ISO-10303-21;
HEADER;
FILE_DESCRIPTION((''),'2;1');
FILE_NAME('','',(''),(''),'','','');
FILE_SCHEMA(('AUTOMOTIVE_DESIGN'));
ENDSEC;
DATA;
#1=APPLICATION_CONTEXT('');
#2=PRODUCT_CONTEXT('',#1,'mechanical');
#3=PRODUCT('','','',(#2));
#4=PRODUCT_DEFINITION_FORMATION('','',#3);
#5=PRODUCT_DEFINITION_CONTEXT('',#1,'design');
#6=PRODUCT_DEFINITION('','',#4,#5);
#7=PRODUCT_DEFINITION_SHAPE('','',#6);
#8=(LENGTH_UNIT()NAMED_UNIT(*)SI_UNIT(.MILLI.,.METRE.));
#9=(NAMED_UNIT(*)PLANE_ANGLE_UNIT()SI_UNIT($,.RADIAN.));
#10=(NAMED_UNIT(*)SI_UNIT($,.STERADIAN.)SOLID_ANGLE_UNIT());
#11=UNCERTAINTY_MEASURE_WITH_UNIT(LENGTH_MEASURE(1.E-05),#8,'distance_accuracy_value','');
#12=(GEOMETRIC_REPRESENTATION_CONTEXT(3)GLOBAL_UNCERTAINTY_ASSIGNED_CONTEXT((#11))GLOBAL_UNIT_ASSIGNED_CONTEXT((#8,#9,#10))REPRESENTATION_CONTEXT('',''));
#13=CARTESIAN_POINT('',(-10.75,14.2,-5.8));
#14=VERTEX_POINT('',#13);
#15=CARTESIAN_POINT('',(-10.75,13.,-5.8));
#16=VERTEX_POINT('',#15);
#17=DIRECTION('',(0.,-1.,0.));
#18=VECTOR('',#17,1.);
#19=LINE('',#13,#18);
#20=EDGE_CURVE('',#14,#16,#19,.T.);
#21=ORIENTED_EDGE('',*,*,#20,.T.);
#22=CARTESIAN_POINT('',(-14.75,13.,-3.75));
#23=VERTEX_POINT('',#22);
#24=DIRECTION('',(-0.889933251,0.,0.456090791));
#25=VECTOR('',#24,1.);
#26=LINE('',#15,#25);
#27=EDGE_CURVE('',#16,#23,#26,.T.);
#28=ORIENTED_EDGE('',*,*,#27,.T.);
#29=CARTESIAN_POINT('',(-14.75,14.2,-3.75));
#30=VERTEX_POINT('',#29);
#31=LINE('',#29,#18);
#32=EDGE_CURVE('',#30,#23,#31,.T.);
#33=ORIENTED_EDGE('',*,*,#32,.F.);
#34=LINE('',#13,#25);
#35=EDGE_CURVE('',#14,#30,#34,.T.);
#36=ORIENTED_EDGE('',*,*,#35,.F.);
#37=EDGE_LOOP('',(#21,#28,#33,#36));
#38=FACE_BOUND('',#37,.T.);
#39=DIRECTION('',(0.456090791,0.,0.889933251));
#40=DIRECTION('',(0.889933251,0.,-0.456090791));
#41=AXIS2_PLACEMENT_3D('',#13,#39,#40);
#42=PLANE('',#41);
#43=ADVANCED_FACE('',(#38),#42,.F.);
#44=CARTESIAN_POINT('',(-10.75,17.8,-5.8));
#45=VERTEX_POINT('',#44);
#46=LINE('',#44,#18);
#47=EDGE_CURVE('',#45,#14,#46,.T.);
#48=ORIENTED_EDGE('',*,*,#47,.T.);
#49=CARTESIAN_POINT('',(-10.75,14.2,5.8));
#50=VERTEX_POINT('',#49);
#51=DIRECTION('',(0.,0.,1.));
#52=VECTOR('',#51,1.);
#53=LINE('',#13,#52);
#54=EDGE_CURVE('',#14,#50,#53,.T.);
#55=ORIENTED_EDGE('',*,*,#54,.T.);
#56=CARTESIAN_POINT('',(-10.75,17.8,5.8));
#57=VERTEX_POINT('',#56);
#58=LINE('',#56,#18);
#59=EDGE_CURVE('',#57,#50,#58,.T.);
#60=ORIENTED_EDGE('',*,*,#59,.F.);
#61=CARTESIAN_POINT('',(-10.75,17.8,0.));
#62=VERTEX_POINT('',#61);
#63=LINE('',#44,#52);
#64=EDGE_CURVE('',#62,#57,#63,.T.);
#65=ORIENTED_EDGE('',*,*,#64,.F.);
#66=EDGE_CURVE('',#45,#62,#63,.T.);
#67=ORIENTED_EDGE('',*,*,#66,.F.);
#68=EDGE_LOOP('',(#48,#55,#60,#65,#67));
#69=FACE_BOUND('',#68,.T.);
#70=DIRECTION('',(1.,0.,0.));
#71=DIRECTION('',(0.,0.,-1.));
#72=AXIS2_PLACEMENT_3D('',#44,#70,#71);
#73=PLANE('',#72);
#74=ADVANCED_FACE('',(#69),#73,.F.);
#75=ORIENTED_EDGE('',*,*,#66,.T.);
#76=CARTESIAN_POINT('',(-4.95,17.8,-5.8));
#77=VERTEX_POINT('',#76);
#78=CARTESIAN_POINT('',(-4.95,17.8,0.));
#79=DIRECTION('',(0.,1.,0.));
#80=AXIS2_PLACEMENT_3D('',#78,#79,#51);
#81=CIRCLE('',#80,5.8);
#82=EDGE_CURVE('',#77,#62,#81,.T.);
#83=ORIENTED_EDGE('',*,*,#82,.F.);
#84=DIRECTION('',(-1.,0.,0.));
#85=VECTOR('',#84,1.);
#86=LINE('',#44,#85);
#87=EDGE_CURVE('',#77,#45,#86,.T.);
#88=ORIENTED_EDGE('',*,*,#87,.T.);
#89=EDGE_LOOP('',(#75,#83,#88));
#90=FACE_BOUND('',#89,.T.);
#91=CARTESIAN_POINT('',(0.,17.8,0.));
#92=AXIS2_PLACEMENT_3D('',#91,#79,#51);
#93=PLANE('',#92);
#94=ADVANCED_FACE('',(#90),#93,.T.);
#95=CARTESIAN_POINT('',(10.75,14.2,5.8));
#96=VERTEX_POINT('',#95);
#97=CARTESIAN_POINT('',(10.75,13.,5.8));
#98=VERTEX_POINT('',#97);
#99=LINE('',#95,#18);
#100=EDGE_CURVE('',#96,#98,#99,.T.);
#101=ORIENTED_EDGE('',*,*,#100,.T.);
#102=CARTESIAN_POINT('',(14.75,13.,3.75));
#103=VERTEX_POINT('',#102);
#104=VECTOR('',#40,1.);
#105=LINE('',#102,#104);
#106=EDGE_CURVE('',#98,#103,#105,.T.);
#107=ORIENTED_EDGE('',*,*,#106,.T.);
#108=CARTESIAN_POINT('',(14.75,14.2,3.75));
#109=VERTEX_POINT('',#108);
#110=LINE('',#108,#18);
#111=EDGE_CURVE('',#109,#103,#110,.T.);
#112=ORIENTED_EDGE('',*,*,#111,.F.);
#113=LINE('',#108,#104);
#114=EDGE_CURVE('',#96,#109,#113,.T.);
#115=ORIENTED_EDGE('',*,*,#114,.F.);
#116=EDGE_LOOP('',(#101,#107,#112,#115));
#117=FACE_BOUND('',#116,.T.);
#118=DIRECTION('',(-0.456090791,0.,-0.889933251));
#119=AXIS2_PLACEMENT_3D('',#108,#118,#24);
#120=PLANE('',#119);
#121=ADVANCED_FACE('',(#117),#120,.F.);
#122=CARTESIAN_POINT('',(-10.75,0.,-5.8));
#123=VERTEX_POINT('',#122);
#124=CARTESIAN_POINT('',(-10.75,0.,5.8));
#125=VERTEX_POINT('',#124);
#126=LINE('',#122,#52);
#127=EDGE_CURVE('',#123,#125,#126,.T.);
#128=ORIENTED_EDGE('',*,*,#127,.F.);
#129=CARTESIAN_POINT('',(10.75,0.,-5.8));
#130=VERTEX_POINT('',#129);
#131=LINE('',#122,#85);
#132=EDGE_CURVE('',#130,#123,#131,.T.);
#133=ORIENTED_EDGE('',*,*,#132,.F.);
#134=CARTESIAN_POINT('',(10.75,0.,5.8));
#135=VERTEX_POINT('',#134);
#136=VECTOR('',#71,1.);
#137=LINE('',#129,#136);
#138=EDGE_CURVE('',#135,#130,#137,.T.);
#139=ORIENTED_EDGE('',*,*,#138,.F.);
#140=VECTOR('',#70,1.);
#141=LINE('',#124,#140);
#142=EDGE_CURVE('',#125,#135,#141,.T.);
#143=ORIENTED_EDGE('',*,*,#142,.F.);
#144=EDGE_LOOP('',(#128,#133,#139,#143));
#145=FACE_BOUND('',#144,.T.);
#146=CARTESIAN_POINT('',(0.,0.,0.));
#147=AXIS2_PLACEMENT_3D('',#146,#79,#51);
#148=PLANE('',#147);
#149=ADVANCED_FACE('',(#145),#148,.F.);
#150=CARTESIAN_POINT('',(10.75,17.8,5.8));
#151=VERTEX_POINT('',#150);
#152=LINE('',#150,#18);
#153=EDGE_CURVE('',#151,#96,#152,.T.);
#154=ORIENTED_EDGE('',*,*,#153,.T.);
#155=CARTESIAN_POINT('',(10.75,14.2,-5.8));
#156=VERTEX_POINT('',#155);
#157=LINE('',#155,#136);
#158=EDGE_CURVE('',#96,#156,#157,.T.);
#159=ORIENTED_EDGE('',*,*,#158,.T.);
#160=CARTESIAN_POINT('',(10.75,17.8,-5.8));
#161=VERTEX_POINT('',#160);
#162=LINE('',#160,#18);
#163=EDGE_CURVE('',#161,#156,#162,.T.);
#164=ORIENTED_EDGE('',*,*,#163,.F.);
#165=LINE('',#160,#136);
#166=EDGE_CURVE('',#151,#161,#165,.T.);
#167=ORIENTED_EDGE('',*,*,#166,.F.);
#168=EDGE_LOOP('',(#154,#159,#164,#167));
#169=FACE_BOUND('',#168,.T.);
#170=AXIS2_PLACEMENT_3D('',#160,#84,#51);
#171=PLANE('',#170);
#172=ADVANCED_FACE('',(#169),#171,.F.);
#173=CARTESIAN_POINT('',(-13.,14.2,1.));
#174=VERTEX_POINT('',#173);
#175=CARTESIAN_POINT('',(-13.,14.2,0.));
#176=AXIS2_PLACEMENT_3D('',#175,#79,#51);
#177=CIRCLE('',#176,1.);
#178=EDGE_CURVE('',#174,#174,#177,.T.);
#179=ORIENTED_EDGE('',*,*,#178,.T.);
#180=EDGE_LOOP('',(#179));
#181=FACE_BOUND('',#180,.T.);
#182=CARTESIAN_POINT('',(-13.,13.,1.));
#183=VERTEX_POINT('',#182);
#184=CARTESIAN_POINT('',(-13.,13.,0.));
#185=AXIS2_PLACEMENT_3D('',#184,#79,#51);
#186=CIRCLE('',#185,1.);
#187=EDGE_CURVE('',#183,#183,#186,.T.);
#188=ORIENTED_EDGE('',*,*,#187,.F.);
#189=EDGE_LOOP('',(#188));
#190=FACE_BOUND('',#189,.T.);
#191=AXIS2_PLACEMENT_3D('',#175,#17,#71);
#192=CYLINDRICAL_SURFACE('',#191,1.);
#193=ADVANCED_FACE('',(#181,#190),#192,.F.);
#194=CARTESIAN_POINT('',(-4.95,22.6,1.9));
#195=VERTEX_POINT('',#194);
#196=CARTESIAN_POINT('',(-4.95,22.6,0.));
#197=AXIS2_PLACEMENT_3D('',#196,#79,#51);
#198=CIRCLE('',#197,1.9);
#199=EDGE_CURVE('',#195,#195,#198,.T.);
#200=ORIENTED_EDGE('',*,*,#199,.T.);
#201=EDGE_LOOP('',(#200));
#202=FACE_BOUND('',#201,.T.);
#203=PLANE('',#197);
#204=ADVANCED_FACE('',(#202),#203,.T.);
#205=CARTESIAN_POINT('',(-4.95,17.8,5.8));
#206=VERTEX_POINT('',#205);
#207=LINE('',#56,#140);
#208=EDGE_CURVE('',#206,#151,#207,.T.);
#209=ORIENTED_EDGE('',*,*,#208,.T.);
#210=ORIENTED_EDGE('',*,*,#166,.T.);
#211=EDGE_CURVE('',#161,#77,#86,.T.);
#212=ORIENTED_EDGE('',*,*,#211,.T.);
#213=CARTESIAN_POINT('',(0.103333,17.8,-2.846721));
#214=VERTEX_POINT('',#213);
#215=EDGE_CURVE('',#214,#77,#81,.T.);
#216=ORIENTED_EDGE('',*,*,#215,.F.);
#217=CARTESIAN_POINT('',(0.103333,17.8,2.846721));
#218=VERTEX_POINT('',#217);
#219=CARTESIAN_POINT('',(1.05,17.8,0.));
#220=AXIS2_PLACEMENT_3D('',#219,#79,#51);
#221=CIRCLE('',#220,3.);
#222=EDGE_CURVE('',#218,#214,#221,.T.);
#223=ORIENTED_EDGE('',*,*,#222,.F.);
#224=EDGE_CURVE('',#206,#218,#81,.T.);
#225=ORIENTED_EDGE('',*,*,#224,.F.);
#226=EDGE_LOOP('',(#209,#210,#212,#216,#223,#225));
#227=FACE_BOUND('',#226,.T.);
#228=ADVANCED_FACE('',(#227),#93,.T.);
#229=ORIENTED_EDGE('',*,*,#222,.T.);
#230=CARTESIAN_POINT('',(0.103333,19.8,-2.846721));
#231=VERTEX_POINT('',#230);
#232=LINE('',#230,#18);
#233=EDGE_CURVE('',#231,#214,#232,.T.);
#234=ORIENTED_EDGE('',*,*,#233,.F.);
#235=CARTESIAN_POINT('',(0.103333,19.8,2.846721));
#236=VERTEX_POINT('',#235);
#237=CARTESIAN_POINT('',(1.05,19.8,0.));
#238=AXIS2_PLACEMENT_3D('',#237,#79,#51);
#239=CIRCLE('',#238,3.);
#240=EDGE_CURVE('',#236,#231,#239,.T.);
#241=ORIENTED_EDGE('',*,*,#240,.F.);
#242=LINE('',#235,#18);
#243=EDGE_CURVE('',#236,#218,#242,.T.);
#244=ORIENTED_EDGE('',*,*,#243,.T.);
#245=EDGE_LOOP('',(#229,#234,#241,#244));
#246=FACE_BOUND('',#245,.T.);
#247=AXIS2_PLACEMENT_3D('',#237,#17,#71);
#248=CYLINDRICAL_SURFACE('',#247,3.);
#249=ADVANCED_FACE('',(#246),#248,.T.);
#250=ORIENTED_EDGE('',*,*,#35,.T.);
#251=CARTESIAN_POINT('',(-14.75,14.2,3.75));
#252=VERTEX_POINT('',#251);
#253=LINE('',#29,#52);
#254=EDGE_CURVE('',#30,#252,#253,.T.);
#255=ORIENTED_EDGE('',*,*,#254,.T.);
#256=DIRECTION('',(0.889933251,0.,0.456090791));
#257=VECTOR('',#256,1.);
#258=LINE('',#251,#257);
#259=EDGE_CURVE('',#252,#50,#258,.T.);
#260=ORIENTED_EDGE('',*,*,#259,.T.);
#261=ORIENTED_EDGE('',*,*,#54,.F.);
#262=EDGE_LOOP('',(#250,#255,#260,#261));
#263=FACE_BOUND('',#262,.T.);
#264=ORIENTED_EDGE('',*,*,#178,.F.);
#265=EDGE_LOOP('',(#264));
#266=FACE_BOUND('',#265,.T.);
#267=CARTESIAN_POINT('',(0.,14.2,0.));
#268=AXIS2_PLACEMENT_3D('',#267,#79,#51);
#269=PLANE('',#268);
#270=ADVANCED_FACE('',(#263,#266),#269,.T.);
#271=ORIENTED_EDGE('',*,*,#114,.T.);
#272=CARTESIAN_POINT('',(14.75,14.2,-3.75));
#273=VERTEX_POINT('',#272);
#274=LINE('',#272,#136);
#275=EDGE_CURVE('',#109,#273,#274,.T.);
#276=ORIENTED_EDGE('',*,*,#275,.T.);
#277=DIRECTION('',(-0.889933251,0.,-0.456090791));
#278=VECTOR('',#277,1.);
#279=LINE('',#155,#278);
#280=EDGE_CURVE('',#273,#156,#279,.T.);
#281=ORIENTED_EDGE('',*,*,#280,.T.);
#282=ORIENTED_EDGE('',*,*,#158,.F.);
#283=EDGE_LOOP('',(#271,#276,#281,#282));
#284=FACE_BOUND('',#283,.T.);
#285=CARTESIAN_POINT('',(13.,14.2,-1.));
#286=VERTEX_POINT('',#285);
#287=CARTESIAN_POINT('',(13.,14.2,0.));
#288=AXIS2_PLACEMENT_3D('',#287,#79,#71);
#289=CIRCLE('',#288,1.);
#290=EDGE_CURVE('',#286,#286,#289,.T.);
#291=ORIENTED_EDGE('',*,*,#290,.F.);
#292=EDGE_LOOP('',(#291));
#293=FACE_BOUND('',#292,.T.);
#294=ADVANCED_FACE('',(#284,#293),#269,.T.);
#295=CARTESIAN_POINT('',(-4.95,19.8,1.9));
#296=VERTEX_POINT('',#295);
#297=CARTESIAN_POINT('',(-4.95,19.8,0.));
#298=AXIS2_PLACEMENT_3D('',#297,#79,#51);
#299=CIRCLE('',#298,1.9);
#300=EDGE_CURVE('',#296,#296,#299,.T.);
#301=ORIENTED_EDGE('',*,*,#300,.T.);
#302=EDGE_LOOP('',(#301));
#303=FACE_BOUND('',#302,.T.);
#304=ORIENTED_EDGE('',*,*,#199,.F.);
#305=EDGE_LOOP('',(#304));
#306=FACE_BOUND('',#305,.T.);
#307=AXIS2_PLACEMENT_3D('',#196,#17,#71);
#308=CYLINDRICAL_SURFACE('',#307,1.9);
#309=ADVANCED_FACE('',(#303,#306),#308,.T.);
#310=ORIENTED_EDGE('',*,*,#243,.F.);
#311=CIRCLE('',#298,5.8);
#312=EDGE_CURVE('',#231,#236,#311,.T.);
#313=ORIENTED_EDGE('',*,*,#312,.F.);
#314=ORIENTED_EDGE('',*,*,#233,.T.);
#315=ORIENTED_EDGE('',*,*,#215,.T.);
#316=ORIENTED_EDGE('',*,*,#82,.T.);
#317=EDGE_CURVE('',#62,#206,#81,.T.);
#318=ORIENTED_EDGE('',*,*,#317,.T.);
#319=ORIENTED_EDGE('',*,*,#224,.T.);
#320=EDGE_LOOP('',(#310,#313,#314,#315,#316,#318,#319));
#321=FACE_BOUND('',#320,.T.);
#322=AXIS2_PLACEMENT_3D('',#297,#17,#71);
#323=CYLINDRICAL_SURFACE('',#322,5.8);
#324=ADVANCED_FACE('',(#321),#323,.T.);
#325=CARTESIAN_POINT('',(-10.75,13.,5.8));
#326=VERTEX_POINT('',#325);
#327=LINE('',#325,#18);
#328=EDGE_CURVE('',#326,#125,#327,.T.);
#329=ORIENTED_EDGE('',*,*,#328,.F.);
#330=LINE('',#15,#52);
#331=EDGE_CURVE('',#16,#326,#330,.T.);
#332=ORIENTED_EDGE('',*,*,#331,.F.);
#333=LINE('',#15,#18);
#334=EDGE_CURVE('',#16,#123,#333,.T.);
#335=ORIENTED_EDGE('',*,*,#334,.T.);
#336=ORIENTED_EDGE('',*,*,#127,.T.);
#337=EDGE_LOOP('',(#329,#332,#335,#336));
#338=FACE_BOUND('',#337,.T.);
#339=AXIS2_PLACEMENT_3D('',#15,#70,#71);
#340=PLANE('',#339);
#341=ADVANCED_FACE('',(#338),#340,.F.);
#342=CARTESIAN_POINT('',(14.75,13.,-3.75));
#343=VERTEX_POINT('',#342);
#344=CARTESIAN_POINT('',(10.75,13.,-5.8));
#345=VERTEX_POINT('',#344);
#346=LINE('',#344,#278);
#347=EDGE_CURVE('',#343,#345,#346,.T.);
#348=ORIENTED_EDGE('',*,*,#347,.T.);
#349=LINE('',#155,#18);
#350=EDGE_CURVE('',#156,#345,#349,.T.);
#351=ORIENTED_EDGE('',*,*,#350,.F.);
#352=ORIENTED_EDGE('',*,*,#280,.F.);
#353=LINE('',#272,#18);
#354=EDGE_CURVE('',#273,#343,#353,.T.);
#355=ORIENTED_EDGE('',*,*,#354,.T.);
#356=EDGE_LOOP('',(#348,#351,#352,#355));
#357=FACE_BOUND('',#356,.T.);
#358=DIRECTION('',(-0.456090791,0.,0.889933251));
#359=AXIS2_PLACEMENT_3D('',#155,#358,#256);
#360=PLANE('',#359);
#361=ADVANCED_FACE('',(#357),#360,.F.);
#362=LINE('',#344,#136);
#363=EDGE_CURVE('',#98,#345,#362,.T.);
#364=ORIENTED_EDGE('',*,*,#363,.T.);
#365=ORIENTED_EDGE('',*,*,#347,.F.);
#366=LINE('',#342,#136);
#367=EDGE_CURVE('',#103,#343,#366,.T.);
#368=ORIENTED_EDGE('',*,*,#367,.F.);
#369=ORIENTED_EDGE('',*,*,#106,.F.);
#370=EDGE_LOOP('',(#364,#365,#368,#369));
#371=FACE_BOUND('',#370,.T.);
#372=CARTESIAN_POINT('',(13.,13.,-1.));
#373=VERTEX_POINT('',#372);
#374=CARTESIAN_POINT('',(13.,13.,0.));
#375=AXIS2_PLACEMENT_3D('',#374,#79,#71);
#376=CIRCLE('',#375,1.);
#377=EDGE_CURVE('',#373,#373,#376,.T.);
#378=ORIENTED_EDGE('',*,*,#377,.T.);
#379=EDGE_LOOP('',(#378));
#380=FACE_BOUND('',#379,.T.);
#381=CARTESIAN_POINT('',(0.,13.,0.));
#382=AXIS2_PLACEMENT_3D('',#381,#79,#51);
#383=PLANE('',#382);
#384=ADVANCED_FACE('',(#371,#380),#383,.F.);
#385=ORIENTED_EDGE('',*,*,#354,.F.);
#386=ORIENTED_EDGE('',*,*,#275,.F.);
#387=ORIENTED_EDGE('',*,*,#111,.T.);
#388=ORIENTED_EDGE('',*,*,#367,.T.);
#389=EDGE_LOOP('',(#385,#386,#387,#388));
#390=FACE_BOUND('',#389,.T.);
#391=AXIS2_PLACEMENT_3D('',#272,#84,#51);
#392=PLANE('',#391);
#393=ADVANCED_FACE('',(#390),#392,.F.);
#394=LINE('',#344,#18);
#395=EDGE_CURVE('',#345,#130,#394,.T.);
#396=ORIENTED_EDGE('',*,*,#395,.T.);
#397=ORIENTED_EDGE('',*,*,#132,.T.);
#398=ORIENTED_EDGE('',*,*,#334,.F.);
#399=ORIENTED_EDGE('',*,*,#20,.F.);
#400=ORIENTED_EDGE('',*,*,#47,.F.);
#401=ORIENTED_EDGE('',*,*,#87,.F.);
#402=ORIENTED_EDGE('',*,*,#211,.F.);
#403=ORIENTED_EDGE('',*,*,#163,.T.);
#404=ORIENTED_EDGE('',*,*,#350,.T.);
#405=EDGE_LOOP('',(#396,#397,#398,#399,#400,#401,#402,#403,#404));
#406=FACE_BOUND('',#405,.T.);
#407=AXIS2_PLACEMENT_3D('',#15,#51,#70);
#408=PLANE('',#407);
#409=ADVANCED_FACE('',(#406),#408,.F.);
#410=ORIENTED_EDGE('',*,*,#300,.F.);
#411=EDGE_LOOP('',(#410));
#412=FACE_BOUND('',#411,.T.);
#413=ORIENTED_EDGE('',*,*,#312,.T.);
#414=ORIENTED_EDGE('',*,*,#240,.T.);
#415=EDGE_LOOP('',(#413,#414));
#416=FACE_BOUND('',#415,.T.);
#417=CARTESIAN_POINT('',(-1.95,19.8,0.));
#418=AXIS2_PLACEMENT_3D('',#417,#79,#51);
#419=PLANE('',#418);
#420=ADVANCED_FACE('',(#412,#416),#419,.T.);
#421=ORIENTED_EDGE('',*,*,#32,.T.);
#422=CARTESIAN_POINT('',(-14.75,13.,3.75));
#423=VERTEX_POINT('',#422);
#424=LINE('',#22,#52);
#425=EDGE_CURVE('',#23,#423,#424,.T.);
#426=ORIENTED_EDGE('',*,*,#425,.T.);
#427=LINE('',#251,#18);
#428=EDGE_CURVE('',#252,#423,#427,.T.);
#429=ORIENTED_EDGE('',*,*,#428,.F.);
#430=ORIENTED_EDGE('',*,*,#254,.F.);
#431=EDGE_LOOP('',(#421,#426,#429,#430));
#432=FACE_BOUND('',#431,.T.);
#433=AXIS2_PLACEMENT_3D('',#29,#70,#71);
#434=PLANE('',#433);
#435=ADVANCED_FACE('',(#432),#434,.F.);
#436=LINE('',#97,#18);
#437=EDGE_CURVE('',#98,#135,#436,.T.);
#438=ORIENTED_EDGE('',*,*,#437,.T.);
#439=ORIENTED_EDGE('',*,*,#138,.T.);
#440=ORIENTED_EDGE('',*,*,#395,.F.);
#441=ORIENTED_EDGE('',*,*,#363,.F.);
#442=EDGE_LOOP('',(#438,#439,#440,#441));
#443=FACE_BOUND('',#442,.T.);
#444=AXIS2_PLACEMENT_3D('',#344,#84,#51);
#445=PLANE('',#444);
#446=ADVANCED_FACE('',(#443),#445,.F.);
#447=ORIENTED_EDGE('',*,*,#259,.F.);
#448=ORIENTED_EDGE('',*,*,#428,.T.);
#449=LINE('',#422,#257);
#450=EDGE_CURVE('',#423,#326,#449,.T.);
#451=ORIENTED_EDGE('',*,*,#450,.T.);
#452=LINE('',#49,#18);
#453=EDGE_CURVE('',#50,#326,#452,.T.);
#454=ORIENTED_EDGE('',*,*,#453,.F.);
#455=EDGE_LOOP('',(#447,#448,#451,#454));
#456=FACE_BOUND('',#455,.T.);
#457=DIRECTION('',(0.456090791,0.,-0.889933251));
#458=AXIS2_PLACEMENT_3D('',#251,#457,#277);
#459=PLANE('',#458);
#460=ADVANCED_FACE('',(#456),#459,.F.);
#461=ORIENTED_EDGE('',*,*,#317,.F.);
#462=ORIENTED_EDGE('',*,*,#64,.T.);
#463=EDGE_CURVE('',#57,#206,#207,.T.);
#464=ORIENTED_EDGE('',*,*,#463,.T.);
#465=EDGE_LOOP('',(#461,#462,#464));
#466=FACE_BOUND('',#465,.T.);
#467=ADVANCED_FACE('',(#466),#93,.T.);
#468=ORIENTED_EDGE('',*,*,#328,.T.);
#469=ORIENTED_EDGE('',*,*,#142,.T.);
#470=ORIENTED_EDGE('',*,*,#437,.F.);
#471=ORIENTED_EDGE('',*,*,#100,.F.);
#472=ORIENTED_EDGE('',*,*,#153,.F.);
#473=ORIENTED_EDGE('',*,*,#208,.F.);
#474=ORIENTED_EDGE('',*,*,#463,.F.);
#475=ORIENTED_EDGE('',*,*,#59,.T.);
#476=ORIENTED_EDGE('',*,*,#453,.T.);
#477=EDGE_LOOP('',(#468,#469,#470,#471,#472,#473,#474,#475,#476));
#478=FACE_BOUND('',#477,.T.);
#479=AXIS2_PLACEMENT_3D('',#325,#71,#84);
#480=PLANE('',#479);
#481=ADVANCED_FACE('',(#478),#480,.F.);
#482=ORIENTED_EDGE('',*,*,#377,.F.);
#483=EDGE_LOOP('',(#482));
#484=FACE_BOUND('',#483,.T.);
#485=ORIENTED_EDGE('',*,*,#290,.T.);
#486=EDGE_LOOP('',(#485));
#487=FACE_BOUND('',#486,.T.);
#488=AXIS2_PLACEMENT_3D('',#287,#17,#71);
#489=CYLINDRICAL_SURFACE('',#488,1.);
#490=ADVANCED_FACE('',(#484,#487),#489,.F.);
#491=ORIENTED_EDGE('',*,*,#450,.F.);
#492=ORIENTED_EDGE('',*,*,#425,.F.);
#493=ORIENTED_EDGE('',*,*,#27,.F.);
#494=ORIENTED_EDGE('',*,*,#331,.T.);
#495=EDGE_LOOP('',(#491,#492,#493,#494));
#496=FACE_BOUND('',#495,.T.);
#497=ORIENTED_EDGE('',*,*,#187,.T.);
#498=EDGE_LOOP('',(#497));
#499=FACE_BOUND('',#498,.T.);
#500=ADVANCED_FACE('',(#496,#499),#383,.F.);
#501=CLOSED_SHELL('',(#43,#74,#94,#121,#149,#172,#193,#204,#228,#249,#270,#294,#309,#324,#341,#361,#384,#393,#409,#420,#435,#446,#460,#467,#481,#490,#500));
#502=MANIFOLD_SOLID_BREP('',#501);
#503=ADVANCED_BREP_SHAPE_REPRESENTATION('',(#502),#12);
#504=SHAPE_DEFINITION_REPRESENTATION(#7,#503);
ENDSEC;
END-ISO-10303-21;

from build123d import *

# Parameters (mm, degrees)
SKETCH1_W           = 21.5
SKETCH1_H           = 11.6
BOSS_EXTRUDE1_DEPTH = 13
SKETCH2_R           = 1
BOSS_EXTRUDE2_DEPTH = 1.2
SKETCH3_W           = 21.5
SKETCH3_H           = 11.6
BOSS_EXTRUDE3_DEPTH = 3.6
BOSS_EXTRUDE4_DEPTH = 2
SKETCH5_R           = 1.9
BOSS_EXTRUDE5_DEPTH = 2.8


with BuildPart() as part:
    # Sketch1 → Boss-Extrude1 (new body)
    with BuildSketch(Plane(origin=(0, 0, 0), x_dir=(1, 0, 0), z_dir=(0, 1, 0))):
        Rectangle(SKETCH1_W, SKETCH1_H)
    extrude(amount=BOSS_EXTRUDE1_DEPTH)

    # Sketch2 → Boss-Extrude2 (add)
    with BuildSketch(Plane(origin=(0, 13, 0), x_dir=(1, 0, 0), z_dir=(0, 1, 0))):
        Polygon((-10.75, 5.8), (-14.75, 3.75), (-14.75, -3.75), (-10.75, -5.8), (10.75, -5.8), (14.75, -3.75), (14.75, 3.75), (10.75, 5.8), align=None)
        with Locations(Location((-13, 0, 0), (0, 0, 270))):
            Circle(SKETCH2_R, mode=Mode.SUBTRACT)
        with Locations(Location((13, 0, 0), (0, 0, 90))):
            Circle(SKETCH2_R, mode=Mode.SUBTRACT)
    extrude(amount=BOSS_EXTRUDE2_DEPTH)

    # Sketch3 → Boss-Extrude3 (add)
    with BuildSketch(Plane(origin=(0, 14.2, 0), x_dir=(1, 0, 0), z_dir=(0, 1, 0))):
        Rectangle(SKETCH3_W, SKETCH3_H)
    extrude(amount=BOSS_EXTRUDE3_DEPTH)

    # Sketch4 → Boss-Extrude4 (add)
    with BuildSketch(Plane(origin=(0, 17.8, 0), x_dir=(1, 0, 0), z_dir=(0, 1, 0))):
        with BuildLine():
            ThreePointArc((0.103333333, 2.846721311), (-10.75, 0), (0.103333333, -2.846721311))
            ThreePointArc((0.103333333, -2.846721311), (4.05, 0), (0.103333333, 2.846721311))
        make_face()
    extrude(amount=BOSS_EXTRUDE4_DEPTH)

    # Sketch5 → Boss-Extrude5 (add)
    with BuildSketch(Plane(origin=(0, 19.8, 0), x_dir=(1, 0, 0), z_dir=(0, 1, 0))):
        with Locations(Location((-4.95, 0, 0), (0, 0, 270))):
            Circle(SKETCH5_R)
    extrude(amount=BOSS_EXTRUDE5_DEPTH)


solid = part.part
